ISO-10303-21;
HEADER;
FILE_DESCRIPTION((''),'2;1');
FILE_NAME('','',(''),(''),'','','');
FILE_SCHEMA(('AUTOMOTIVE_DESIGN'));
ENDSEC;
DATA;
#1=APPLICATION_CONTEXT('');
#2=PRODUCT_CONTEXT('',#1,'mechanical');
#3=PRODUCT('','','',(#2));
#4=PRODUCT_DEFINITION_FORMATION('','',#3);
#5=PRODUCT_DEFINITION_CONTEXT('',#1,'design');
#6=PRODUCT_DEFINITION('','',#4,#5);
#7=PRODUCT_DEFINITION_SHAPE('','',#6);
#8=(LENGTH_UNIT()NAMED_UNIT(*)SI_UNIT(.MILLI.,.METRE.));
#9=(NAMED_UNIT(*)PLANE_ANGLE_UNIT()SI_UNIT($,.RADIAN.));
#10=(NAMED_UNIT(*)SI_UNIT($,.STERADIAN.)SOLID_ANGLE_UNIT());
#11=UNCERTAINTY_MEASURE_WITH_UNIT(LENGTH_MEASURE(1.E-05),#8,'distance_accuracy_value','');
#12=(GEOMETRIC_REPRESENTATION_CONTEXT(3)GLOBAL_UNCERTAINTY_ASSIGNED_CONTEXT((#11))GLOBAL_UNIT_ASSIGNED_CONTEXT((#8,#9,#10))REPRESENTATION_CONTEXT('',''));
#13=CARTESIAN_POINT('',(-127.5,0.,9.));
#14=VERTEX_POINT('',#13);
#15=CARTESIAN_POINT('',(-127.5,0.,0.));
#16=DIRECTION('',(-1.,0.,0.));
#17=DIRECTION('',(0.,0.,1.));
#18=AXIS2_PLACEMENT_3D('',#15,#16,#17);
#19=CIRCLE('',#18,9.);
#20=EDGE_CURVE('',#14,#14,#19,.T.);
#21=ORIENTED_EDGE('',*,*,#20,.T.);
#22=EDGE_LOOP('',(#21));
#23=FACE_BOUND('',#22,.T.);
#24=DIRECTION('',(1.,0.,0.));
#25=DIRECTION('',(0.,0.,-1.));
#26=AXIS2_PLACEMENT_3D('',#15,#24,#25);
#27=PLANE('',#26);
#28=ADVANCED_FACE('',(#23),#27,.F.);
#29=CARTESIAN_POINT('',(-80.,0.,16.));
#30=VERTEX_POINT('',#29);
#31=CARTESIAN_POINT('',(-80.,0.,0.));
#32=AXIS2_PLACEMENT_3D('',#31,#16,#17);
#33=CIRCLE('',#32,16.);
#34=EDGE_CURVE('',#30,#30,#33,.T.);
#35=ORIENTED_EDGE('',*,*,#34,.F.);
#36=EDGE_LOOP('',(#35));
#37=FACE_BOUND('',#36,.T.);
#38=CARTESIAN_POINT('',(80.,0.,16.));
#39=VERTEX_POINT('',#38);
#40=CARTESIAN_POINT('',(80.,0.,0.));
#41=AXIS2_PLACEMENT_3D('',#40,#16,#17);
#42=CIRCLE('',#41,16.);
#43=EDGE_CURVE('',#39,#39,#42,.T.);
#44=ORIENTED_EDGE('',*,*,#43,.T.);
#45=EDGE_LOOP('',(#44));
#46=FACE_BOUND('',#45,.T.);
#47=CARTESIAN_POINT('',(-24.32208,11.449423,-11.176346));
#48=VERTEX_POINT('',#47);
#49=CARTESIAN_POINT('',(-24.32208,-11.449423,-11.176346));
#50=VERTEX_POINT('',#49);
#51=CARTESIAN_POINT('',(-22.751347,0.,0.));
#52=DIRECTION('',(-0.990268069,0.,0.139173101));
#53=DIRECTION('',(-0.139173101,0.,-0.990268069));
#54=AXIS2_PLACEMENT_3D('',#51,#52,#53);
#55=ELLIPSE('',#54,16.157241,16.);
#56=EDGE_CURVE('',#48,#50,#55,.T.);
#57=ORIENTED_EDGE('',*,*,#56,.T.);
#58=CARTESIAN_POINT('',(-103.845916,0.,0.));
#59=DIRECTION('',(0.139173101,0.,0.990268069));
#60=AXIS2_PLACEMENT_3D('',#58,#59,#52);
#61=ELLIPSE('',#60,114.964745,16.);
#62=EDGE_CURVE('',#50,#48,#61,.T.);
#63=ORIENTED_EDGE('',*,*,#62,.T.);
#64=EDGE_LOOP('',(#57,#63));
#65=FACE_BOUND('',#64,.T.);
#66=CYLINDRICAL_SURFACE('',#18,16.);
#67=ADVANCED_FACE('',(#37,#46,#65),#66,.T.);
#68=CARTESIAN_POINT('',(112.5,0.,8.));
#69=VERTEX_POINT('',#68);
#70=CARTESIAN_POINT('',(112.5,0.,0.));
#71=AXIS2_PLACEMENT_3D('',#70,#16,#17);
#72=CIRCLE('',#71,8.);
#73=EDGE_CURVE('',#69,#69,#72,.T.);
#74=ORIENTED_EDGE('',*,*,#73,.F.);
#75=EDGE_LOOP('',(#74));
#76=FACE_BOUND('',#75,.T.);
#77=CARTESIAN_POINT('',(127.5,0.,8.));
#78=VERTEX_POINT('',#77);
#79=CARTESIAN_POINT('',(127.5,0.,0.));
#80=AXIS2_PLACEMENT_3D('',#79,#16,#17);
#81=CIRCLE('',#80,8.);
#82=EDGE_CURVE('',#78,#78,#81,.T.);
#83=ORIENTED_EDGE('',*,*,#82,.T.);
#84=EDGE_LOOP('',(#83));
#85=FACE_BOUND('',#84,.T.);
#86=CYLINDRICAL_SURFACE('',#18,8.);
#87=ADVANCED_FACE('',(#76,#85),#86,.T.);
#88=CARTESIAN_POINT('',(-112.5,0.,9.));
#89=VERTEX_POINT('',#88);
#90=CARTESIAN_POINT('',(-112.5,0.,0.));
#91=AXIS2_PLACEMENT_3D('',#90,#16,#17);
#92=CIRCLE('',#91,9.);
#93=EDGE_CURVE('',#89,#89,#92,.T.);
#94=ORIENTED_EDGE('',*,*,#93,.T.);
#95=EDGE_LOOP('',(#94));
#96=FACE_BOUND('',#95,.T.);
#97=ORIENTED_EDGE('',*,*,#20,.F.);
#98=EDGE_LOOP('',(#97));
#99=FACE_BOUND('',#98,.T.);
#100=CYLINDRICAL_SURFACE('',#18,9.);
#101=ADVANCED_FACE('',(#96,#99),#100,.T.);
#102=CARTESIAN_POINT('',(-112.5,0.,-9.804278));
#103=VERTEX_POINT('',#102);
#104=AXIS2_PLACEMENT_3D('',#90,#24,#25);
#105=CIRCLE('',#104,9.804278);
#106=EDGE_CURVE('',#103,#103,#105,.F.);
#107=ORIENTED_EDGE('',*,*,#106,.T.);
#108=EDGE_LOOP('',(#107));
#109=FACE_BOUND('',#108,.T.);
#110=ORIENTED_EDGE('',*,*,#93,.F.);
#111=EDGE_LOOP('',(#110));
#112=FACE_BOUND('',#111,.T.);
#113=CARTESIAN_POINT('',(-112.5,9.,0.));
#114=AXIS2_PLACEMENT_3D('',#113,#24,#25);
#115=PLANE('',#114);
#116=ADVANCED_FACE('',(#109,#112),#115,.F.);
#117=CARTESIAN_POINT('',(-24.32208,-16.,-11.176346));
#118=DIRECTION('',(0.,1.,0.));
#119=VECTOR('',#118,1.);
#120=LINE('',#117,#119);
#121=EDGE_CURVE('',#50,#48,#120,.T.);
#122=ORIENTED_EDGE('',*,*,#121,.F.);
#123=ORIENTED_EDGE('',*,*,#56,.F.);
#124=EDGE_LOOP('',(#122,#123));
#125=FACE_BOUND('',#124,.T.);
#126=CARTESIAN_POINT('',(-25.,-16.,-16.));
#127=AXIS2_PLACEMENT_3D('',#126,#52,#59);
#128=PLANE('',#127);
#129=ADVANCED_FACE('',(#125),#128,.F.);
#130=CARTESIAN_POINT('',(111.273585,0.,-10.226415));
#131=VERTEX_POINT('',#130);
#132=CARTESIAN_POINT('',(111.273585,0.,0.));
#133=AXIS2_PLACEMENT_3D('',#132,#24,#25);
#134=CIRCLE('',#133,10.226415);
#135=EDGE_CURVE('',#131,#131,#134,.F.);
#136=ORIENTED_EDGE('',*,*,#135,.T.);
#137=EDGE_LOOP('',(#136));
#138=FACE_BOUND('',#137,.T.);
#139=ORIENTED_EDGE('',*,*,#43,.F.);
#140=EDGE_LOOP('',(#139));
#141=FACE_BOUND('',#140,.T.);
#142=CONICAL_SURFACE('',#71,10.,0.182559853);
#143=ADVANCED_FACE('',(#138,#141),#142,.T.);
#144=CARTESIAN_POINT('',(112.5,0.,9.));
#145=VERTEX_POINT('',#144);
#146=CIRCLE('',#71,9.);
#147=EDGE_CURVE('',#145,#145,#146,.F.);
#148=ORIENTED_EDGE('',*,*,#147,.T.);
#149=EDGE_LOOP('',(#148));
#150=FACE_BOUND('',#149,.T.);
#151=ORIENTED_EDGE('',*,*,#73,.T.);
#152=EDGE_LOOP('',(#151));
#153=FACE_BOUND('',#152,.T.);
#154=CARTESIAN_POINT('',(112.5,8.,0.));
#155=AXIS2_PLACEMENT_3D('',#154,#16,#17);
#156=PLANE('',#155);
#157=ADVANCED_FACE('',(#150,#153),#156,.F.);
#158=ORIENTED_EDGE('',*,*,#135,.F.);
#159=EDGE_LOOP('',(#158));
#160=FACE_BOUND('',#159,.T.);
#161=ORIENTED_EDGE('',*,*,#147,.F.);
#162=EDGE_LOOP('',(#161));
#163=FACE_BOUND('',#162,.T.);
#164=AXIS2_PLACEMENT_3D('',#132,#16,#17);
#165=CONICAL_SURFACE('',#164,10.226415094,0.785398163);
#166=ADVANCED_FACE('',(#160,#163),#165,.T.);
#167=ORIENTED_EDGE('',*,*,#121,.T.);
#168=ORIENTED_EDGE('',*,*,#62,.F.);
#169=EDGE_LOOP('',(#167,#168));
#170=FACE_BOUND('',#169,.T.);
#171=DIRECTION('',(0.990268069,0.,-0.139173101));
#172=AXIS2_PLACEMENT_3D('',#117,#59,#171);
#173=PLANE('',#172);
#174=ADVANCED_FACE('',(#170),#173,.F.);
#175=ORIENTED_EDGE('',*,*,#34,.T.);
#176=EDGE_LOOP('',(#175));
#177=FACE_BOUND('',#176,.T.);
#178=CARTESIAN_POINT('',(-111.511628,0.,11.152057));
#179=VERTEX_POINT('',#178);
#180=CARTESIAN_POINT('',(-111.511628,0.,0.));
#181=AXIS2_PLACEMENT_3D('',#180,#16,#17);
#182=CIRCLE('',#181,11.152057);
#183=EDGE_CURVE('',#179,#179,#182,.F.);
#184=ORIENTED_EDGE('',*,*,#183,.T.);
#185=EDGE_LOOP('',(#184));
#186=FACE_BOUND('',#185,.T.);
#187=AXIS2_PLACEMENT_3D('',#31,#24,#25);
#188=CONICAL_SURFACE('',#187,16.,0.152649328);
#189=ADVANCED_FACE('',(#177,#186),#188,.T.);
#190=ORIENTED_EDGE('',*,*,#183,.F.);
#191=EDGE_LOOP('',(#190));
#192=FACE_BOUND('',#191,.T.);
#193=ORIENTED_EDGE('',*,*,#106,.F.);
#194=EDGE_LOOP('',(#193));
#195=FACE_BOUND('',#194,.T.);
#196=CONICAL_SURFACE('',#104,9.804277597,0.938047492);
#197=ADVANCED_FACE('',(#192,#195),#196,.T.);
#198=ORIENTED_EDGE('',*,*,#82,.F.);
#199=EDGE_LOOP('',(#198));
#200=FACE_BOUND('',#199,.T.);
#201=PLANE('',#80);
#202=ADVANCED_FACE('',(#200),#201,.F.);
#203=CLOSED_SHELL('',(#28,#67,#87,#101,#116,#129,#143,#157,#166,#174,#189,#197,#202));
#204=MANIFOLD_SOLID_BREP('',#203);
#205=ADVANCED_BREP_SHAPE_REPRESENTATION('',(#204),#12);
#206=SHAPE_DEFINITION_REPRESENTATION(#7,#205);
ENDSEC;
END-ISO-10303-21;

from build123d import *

# Parameters (mm, degrees)
CHANFREIN1_SIZE              = 1.195722403
CHANFREIN1_SIZE2             = 1
CHANFREIN1_EDGE_2_SIZE       = 1.247139839
CHANFREIN1_EDGE_2_SIZE2      = 1
ENL_V_MAT_EXTRU_1_DEPTH      = 17
ENL_V_MAT_EXTRU_1_DEPTH_BACK = 17


with BuildPart() as part:
    # Esquisse1 → Révolution1 (revolve)
    with BuildSketch(Plane.XY, mode=Mode.PRIVATE) as r_volution1_sk:
        Polygon((-127.5, 0), (-127.5, 9), (-112.5, 9), (-112.5, 11), (-80, 16), (80, 16), (112.5, 10), (112.5, 8), (127.5, 8), (127.5, 0), align=None)
    revolve(r_volution1_sk.sketch.rotate(Axis((-127.5, 0, 0), (1, 0, 0)), 90), axis=Axis((-127.5, 0, 0), (1, 0, 0)))  # turned: the seam where the file's is

    # Chanfrein1
    chanfrein1_edges = [part.edges().sort_by_distance(p)[0] for p in [
        (-112.5, 0, -11),
    ]]
    chanfrein1_side = [part.faces().sort_by_distance(p)[0] for p in [
        (-112.5, 0, -9.311126984),
    ]]
    chamfer(chanfrein1_edges, length=CHANFREIN1_SIZE, length2=CHANFREIN1_SIZE2, reference=chanfrein1_side[0])

    # Chanfrein1 edge 2
    chanfrein1_edge_2_edges = [part.edges().sort_by_distance(p)[0] for p in [
        (112.5, 0, -10),
    ]]
    chanfrein1_edge_2_side = [part.faces().sort_by_distance(p)[0] for p in [
        (96.25, 0, -13),
    ]]
    chamfer(chanfrein1_edge_2_edges, length=CHANFREIN1_EDGE_2_SIZE, length2=CHANFREIN1_EDGE_2_SIZE2, reference=chanfrein1_edge_2_side[0])

    # Esquisse2 → Enlèv. mat.-Extru.1 (cut, two sides)
    with BuildSketch(Plane(origin=(0, 0, 0), x_dir=(1, 0, 0), z_dir=(0, 1, 0))) as enl_v_mat_extru_1_sk:
        Polygon((-25, 16), (-24.322079679, 11.176346273), (10, 16), align=None)
    extrude(amount=ENL_V_MAT_EXTRU_1_DEPTH, mode=Mode.SUBTRACT)
    extrude(enl_v_mat_extru_1_sk.sketch, amount=-ENL_V_MAT_EXTRU_1_DEPTH_BACK, mode=Mode.SUBTRACT)


solid = part.part
